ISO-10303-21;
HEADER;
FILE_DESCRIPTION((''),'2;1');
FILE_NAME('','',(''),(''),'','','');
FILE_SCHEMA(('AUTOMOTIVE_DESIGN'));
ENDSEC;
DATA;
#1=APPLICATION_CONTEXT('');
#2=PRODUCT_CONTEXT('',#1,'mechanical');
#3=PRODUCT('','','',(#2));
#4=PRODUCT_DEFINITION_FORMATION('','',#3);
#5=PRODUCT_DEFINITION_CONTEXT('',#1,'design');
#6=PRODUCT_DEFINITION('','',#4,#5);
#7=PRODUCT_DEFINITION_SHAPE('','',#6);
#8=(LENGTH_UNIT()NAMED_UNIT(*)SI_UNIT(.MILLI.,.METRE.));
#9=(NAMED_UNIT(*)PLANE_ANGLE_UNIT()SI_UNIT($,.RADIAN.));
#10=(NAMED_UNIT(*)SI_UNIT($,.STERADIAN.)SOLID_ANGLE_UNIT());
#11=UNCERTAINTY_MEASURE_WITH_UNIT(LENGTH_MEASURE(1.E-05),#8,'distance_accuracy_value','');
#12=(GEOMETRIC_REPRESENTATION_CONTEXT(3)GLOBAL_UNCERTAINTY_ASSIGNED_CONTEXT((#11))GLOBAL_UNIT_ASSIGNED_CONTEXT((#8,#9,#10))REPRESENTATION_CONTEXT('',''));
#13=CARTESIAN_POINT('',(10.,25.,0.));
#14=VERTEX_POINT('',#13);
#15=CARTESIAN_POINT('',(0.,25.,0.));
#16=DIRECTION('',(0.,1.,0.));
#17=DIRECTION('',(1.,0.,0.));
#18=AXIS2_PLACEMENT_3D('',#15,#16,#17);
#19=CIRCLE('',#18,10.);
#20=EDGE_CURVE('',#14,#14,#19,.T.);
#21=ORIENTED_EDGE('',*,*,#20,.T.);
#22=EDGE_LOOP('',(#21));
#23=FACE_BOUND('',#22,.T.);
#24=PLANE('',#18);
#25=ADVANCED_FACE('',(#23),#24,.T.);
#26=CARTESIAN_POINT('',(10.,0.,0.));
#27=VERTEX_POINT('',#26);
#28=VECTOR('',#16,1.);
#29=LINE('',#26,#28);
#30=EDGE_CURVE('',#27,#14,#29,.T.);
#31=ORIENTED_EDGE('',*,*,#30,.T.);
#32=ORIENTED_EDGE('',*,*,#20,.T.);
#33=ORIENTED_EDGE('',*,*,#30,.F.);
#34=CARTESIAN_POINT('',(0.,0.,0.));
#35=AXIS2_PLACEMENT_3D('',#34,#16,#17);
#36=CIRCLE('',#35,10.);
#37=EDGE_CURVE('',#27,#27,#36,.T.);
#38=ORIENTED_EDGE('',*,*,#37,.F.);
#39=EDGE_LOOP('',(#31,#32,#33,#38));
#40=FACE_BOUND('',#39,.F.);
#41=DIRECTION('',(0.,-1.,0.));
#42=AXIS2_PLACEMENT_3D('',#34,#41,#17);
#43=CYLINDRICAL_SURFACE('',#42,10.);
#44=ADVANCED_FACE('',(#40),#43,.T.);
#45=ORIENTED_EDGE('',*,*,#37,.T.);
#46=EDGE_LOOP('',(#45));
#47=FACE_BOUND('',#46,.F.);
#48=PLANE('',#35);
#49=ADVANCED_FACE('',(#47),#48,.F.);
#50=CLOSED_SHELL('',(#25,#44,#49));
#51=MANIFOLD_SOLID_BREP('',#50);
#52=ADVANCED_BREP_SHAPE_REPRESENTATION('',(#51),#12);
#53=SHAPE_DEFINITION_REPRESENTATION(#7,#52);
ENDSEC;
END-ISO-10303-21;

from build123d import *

# Parameters (mm, degrees)
SKETCH_1_R      = 10
EXTRUDE_1_DEPTH = 25


with BuildPart() as part:
    # Эскиз1 → Бобышка-Вытянуть1 (new body)
    with BuildSketch(Plane(origin=(0, 0, 0), x_dir=(1, 0, 0), z_dir=(0, 1, 0))):
        Circle(SKETCH_1_R)
    extrude(amount=EXTRUDE_1_DEPTH)


solid = part.part
